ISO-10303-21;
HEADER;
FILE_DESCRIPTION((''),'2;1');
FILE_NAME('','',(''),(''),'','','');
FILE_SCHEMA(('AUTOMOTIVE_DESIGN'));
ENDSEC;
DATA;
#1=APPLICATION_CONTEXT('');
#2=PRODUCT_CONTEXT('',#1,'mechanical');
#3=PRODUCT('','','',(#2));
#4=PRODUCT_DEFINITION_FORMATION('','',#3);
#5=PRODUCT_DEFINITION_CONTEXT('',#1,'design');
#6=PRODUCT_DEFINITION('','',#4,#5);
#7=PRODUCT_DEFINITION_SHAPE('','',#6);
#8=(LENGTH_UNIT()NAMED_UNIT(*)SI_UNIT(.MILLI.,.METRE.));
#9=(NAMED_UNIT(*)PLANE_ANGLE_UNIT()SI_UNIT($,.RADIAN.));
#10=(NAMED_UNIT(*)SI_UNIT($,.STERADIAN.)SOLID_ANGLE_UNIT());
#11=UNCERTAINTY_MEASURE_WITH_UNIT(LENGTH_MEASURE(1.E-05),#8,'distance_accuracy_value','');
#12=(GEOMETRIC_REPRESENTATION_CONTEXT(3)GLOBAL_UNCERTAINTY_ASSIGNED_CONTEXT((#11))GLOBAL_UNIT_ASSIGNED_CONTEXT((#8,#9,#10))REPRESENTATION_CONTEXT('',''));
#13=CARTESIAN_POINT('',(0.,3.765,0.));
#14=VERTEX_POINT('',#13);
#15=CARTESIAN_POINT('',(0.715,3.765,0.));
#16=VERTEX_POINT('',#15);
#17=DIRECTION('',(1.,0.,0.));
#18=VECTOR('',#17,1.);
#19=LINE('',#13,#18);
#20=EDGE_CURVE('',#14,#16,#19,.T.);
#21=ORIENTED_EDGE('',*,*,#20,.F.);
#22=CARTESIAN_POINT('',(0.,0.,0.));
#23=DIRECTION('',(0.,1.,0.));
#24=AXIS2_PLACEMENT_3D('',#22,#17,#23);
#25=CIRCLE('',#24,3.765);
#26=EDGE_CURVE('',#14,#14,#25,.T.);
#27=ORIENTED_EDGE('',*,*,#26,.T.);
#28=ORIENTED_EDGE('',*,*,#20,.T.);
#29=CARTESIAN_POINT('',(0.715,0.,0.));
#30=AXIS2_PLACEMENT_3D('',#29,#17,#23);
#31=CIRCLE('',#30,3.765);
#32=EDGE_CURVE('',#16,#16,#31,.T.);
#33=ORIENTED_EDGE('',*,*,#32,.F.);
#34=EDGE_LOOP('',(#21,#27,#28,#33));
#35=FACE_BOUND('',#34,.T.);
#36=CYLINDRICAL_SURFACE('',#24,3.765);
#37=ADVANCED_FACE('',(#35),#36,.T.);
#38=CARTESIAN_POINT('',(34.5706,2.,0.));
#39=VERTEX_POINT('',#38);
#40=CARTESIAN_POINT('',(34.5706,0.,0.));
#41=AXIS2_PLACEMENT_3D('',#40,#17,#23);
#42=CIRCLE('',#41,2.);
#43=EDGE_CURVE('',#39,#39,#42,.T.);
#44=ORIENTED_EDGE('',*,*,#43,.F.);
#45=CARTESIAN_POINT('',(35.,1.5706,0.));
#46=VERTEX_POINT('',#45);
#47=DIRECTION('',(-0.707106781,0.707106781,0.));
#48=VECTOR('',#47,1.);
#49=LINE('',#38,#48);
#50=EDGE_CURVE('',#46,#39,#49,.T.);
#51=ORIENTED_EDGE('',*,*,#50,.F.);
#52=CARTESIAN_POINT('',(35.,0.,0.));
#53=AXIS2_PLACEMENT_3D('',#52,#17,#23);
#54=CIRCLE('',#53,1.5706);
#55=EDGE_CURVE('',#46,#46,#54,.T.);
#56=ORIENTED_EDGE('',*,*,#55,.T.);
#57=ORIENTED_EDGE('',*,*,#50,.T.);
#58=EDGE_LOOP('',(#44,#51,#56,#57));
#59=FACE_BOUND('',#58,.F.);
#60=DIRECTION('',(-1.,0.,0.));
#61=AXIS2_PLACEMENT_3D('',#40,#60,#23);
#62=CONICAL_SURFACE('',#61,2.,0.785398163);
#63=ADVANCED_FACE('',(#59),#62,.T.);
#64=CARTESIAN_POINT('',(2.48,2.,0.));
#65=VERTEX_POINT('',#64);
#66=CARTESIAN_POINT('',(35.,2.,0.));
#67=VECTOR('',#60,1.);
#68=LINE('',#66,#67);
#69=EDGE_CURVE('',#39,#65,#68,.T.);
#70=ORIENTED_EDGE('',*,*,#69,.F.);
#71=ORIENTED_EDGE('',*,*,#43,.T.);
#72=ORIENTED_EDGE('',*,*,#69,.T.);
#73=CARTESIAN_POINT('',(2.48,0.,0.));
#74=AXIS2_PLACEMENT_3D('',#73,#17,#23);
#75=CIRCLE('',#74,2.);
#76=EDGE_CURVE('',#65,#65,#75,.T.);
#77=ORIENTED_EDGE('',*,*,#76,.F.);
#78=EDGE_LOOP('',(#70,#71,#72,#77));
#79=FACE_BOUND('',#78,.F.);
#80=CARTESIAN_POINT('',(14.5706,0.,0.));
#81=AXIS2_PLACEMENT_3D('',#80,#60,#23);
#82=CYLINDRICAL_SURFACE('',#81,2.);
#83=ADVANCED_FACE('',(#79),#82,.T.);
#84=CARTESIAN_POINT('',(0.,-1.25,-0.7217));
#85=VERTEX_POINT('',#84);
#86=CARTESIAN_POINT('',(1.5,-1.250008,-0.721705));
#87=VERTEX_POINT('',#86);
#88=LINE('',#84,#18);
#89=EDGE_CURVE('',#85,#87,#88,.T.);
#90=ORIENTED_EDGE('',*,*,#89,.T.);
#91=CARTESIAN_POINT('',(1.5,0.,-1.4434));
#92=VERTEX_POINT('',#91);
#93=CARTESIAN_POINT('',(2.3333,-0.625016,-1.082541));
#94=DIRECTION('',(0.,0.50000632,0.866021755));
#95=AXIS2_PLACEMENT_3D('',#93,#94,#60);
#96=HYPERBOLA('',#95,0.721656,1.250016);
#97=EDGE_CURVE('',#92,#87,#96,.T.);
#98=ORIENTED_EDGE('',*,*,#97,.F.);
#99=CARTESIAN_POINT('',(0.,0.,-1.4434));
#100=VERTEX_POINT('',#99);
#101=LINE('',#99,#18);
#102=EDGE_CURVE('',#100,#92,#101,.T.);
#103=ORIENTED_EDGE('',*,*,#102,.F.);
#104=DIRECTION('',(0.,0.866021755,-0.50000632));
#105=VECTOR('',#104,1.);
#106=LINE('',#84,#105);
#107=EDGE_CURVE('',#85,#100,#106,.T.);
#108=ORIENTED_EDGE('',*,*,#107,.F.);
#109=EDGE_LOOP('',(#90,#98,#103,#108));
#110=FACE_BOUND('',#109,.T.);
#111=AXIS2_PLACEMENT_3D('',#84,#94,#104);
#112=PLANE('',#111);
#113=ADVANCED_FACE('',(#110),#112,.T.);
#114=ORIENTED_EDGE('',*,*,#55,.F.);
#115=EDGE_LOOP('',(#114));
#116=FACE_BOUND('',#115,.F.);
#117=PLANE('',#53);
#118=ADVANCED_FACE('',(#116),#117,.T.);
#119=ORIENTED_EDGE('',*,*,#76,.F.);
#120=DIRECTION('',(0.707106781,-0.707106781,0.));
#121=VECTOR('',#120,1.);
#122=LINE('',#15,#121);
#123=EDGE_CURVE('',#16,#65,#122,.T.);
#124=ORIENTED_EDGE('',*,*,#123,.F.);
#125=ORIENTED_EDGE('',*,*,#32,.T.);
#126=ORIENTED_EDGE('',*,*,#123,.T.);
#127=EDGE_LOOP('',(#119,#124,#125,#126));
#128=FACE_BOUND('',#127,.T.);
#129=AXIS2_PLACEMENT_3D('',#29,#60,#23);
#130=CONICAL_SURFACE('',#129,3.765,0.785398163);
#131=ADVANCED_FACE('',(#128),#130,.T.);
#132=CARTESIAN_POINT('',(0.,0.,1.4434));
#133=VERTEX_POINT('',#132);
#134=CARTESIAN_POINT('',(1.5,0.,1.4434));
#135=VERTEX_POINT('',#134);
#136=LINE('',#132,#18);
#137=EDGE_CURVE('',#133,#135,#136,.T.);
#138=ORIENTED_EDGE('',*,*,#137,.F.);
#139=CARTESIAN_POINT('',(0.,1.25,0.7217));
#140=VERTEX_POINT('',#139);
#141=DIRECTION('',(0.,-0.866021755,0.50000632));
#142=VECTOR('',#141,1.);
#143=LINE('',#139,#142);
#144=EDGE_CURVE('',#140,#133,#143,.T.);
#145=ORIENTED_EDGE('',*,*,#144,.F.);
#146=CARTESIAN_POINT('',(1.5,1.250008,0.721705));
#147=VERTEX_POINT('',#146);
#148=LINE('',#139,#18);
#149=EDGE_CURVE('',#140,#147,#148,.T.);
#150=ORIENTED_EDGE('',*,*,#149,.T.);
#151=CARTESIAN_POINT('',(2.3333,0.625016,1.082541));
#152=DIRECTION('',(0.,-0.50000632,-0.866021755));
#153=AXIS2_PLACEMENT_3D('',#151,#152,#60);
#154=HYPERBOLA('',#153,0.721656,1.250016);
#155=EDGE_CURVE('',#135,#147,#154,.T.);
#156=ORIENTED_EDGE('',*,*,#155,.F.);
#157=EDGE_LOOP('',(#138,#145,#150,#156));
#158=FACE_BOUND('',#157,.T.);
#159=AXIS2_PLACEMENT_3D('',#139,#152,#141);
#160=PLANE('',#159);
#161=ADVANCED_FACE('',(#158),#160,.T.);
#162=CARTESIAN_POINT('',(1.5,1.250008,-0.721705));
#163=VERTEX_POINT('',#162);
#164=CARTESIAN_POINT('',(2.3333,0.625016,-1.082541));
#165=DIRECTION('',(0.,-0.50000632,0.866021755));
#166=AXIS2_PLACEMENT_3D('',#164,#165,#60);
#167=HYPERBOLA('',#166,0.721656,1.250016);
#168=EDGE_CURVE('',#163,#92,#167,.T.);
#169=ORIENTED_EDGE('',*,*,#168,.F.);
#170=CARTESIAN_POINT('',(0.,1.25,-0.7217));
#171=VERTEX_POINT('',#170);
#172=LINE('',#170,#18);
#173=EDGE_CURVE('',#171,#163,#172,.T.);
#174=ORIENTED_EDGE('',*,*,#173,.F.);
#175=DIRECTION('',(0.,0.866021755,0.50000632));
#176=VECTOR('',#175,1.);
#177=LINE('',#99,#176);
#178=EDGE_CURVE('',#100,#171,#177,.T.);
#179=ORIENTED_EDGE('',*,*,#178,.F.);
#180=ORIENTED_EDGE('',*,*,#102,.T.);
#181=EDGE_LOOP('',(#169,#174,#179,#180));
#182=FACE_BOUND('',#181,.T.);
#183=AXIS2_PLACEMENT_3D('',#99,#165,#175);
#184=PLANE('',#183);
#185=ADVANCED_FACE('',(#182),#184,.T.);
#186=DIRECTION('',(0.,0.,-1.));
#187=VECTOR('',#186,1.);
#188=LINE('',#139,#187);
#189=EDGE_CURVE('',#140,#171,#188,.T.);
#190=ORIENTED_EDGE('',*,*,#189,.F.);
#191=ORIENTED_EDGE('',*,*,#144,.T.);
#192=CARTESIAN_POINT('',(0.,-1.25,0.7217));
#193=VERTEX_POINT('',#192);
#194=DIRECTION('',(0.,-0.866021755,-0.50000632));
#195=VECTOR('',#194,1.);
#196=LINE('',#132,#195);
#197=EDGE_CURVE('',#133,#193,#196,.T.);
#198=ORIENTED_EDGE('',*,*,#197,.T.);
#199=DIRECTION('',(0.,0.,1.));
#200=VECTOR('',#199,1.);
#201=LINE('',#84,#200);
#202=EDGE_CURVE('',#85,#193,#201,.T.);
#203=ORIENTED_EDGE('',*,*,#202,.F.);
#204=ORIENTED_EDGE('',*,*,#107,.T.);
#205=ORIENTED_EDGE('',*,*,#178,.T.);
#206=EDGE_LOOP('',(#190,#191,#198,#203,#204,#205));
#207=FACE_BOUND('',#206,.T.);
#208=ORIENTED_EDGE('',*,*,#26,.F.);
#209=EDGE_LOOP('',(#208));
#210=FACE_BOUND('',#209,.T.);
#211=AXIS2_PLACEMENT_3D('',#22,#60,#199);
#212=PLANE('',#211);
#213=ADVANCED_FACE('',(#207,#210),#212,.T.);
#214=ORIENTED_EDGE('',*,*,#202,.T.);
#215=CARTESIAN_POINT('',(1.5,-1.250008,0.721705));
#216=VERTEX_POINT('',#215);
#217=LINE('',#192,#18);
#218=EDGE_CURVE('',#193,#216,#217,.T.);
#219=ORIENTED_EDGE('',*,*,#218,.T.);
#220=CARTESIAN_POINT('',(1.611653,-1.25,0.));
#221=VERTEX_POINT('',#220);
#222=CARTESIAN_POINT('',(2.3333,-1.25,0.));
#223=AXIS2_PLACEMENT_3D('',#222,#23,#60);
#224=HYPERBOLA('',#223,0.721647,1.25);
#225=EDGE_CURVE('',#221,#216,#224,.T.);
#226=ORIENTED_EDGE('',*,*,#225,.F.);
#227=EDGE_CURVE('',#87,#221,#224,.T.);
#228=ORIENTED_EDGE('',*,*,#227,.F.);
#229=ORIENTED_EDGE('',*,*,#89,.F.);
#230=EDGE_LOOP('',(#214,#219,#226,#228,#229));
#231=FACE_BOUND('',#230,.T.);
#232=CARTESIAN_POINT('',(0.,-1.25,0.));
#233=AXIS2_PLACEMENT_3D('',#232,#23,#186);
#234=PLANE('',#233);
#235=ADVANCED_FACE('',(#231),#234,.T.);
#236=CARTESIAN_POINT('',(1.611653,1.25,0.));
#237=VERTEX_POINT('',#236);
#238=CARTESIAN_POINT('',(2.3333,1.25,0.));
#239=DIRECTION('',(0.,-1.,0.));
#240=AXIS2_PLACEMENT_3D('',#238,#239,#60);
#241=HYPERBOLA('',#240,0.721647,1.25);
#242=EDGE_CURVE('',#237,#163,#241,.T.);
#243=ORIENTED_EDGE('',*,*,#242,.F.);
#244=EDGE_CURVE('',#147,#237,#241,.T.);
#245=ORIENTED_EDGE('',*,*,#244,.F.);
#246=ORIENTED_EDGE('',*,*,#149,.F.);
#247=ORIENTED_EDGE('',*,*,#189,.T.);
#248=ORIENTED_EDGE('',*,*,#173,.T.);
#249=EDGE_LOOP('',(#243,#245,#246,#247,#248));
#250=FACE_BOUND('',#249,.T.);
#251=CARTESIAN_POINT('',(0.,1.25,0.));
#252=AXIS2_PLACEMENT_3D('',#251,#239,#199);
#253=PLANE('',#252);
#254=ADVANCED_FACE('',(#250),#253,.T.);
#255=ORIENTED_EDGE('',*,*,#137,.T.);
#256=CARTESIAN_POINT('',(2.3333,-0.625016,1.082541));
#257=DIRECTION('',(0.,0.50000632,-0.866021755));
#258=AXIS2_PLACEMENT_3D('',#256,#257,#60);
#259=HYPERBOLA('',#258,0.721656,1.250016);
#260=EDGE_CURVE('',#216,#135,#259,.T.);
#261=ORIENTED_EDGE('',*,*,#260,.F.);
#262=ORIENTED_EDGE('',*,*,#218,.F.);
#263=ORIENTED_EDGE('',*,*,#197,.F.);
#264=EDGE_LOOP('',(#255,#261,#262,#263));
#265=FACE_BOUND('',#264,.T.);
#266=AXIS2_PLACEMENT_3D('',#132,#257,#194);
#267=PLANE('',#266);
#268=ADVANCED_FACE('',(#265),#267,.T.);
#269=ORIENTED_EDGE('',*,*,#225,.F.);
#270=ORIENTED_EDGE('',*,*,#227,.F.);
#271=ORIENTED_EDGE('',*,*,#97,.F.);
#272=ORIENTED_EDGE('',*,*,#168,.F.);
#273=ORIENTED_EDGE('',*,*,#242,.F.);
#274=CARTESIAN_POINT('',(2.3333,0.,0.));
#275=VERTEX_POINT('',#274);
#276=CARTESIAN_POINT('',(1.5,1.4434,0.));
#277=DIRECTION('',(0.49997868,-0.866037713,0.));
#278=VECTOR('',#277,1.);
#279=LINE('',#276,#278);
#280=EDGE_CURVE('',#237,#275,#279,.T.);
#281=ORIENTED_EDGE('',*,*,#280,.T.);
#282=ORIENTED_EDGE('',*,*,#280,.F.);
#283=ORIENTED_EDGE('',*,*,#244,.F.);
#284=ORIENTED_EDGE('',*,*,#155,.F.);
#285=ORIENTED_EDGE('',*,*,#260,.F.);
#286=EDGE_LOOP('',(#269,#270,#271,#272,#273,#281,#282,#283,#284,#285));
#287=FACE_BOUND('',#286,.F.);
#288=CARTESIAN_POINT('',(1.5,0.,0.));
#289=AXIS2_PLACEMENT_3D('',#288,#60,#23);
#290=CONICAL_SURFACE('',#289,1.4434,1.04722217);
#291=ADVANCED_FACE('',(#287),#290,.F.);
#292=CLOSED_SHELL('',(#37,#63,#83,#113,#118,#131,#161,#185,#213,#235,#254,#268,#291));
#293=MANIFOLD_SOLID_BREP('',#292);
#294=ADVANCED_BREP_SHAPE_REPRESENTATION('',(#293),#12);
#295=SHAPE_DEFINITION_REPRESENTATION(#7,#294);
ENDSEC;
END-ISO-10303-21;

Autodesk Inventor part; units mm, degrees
ref_plane "YZ Plane" through (0, 0, 0) normal (1, 0, 0) x (0, 1, 0)
ref_plane "XZ Plane" through (0, 0, 0) normal (0, 1, 0) x (-1, 0, 0)
sketch "Sketch1" plane through (0, 0, 0) normal (0, 0, 1) x (1, 0, 0)
  line L0 (35, 0) -> (35, 2)
  line L1 (35, 2) -> (15, 2)
  line L2 (15, 2) -> (14.5706, 2)
  line L3 (0, 3.765) -> (0, 1.4434)
  line L4 (0, 1.4434) -> (1.5, 1.4434)
  line L5 (1.5, 1.4434) -> (2.3333, 0)
  line L6 (2.3333, 0) -> (35, 0)
  line L7 (0, 3.765) -> (0.715, 3.765)
  line L8 (0.715, 3.765) -> (2.48, 2)
  line L9 (14.5706, 2) -> (2.48, 2)
  line L10 (15, 2) -> (2.48, 2) construction
  line L11 (2.48, 2) -> (2.48, 2)
  line L12 (-7, 0) -> (42, 0) projected
  line L13 (0, -0.753) -> (0, 4.518) projected
  dimension "d0" = 35
  dimension "d1" = 20
  dimension "d2" = 1.5
  dimension "d3" = 4
  dimension "d6" = 2.48
  dimension "d7" = 45
  dimension "d8" = 2.8868
  dimension "d9" = 60
  dimension "d10" = 7.53
  dimension "d11" = 4
  dimension "d12" = 0.4294
revolve "Body" add sketch "Sketch1" angle 360 about axis through (2.3333, 0, 0) along (1, 0, 0) contours L6 L5 L4 L3 L7 L8 L9 L2 L1 L0
sketch "Sketch2" plane through (0, 0, 0) normal (-1, 0, 0) x (0, 0, 1)
  circle A0 centre (0, 0) radius 1.4434 projected
  line L0 (0, -5.271) -> (0, 5.271) projected
  line L1 (-5.271, 0) -> (5.271, 0) projected
  line L2 (1.4434, 0) -> (0.7217, -1.25)
  line L3 (0.7217, -1.25) -> (-0.7217, -1.25)
  line L4 (-0.7217, -1.25) -> (-1.4434, 0)
  line L5 (-1.4434, 0) -> (-0.7217, 1.25)
  line L6 (-0.7217, 1.25) -> (0.7217, 1.25)
  line L7 (0.7217, 1.25) -> (1.4434, 0)
  point P0 (0, 1.4434)
extrude "Slot" add sketch "Sketch2" against normal up to next contours L7 A0 | A0 L2 | L6 L0 A0 | A0 L0 L3 | L0 L6 A0 | A0 L3 L0 | L4 A0 | A0 L5
thread "Thread" size "M4x0.7" class "6g" standard "ISO Metric profile" length 20
chamfer "Chamfer1" distance 0.4294 distance2 0.4294 1 edges at (35, -2, 0) measured on face at (35, -0.292, -0.9006)
ref_plane "Work Plane1" through (104.775, 0, 0) normal (0, 0, -1) x (1, 0, 0)
equation "\"d15\" = GEL"
equation "\"d17\" = -0.5 * SPD + 0.5 * GD"
equation "\"d18\" = GUL"
equation "\"d0\" = NLG"
equation "\"d1\" = GEL"
equation "\"d2\" = INTI"
equation "\"d3\" = GD"
equation "\"d6\" = KOH"
equation "\"d7\" = 0.5 * SEWI"
equation "\"d8\" = 1.1547 * SW"
equation "\"d10\" = KOD"
equation "\"d11\" = BDM"
equation "\"d12\" = GAL"
equation "\"NLG\" = 35"
equation "\"INTI\" = 1.5"
equation "\"GEL\" = 20"
equation "\"GAL\" = 0.61345 * PTC"
equation "\"KOH\" = 2.48"
equation "\"KOD\" = 7.53"
equation "\"GUL\" = 0.61345 * PTC"
equation "\"SPD\" = NND - 1.2269 * PTC"
equation "\"BDM\" = NND"
equation "\"GD\" = NND"
equation "\"SEWI\" = 90deg"
equation "\"SW\" = 2.5"
equation "\"TOA\" = 30deg"
equation "\"GD1\" = THREADDIA - 1.2269 * PTC"
equation "\"EPV\" = 4.48"
equation "\"THREADDIA\" = 4"
equation "\"PTC\" = 0.7"
equation "\"NND\" = 4"
equation "\"E0\" = 1.155 * SW"
properties part number "DIN 7991 - M4  x  35" material "Steel, Mild"
